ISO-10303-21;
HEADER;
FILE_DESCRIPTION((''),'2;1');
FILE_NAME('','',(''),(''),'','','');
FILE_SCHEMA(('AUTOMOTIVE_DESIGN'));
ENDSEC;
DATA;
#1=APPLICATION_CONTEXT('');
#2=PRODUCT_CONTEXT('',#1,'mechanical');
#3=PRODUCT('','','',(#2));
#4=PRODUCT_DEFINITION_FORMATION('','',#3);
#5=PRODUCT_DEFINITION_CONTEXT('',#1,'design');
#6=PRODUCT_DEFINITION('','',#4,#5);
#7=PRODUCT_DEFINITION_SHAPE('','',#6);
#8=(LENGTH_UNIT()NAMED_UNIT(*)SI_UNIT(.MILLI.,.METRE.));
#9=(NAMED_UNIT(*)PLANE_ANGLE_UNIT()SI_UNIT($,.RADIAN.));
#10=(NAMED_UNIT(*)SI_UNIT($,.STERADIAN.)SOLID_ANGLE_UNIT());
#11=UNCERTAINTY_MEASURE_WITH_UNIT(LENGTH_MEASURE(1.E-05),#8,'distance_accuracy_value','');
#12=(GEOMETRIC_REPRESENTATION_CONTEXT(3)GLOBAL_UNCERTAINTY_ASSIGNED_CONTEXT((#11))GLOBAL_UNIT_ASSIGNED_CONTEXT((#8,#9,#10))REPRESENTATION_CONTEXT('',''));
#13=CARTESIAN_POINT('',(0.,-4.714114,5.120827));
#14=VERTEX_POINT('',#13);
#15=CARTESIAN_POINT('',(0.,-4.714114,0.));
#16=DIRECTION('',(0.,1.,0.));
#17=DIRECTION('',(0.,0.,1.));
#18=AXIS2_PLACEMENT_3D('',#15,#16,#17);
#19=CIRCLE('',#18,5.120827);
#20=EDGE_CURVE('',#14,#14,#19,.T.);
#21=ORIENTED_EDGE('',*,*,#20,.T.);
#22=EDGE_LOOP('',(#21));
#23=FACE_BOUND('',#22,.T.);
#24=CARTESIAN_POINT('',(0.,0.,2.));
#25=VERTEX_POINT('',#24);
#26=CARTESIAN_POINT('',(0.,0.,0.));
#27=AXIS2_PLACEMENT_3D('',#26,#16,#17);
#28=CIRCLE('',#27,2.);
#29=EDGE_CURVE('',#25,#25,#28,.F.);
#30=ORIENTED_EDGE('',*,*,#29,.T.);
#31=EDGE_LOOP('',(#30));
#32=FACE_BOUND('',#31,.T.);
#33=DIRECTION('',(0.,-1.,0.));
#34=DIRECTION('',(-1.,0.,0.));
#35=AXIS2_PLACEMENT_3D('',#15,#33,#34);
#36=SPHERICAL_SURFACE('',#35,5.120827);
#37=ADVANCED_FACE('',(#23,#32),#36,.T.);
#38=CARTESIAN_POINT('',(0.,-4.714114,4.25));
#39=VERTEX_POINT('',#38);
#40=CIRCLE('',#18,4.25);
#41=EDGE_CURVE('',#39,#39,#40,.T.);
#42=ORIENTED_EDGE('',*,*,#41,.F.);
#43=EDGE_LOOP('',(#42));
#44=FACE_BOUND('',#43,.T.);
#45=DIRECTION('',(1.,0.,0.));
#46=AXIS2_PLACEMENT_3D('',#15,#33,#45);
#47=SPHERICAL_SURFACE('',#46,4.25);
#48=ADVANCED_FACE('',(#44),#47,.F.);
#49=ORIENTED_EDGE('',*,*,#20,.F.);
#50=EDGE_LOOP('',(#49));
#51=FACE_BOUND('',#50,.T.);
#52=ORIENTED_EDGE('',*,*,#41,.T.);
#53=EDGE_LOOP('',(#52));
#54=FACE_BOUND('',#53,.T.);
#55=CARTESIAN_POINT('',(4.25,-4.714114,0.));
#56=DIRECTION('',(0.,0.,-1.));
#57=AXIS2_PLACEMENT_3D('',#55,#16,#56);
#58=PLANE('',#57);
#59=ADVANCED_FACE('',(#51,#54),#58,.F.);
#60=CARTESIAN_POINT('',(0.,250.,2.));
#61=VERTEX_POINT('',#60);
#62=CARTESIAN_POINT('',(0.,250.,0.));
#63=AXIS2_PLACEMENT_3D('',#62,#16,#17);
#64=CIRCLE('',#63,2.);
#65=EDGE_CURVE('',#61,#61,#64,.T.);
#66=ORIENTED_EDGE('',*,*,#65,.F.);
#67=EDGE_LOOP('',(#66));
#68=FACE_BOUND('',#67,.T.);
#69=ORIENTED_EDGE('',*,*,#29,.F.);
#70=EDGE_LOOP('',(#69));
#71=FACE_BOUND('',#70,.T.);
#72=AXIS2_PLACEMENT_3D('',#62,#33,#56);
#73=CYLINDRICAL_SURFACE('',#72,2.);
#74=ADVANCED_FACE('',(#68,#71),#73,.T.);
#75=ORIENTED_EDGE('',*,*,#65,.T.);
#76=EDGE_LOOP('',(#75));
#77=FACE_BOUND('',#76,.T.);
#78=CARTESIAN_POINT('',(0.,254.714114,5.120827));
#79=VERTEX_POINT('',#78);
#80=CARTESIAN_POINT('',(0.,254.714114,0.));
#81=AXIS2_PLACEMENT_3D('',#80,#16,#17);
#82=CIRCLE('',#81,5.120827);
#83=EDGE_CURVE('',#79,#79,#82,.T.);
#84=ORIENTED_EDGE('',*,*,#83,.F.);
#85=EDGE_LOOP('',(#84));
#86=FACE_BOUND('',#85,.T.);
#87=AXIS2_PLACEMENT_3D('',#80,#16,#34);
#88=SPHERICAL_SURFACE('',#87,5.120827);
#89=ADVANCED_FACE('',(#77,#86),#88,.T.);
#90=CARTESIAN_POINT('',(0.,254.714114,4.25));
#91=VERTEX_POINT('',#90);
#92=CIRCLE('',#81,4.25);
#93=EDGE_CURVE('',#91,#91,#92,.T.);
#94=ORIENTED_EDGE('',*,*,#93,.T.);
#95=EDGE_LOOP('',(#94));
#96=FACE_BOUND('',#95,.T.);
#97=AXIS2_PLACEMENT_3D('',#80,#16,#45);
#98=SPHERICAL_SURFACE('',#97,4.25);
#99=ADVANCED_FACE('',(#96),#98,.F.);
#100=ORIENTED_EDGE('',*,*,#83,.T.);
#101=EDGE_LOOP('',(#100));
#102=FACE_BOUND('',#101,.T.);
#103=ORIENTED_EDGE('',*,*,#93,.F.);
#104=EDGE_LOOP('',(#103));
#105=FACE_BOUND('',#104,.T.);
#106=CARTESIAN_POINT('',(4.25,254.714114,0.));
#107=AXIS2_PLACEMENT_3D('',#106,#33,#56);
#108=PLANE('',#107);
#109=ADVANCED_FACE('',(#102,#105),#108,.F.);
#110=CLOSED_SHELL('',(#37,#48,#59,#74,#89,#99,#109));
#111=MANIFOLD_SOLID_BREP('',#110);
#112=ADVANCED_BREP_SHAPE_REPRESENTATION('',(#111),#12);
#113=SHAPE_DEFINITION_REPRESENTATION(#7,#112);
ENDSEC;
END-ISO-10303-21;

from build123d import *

# Parameters (mm, degrees)
SKETCH1_R           = 2
BOSS_EXTRUDE1_DEPTH = 250


with BuildPart() as part:
    # Sketch1 → Boss-Extrude1 (new body)
    with BuildSketch(Plane(origin=(0, 0, 0), x_dir=(1, 0, 0), z_dir=(0, 1, 0))):
        with Locations(Location((0, 0, 0), (0, 0, 270))):
            Circle(SKETCH1_R)
    extrude(amount=BOSS_EXTRUDE1_DEPTH)

    # Sketch2 → Revolve1 (revolve)
    with BuildSketch(Plane.XY):
        with BuildLine():
            Line((4.25, 254.7141137), (5.120826884, 254.7141137))
            ThreePointArc((5.120826884, 254.7141137), (3.620971415, 251.093142285), (0, 249.593286816))
            Line((0, 249.593286816), (0, 250.4641137))
            ThreePointArc((0, 250.4641137), (3.00520382, 251.70890988), (4.25, 254.7141137))
        make_face()
    revolve1 = revolve(axis=Axis((0, 250.4641137, 0), (0, -1, 0)))

    # Mirror1: Revolve1 across plane
    add(revolve1.mirror(Plane(origin=(0, 125, 0), x_dir=(0, 0, 1), z_dir=(0, -1, 0))))


solid = part.part
